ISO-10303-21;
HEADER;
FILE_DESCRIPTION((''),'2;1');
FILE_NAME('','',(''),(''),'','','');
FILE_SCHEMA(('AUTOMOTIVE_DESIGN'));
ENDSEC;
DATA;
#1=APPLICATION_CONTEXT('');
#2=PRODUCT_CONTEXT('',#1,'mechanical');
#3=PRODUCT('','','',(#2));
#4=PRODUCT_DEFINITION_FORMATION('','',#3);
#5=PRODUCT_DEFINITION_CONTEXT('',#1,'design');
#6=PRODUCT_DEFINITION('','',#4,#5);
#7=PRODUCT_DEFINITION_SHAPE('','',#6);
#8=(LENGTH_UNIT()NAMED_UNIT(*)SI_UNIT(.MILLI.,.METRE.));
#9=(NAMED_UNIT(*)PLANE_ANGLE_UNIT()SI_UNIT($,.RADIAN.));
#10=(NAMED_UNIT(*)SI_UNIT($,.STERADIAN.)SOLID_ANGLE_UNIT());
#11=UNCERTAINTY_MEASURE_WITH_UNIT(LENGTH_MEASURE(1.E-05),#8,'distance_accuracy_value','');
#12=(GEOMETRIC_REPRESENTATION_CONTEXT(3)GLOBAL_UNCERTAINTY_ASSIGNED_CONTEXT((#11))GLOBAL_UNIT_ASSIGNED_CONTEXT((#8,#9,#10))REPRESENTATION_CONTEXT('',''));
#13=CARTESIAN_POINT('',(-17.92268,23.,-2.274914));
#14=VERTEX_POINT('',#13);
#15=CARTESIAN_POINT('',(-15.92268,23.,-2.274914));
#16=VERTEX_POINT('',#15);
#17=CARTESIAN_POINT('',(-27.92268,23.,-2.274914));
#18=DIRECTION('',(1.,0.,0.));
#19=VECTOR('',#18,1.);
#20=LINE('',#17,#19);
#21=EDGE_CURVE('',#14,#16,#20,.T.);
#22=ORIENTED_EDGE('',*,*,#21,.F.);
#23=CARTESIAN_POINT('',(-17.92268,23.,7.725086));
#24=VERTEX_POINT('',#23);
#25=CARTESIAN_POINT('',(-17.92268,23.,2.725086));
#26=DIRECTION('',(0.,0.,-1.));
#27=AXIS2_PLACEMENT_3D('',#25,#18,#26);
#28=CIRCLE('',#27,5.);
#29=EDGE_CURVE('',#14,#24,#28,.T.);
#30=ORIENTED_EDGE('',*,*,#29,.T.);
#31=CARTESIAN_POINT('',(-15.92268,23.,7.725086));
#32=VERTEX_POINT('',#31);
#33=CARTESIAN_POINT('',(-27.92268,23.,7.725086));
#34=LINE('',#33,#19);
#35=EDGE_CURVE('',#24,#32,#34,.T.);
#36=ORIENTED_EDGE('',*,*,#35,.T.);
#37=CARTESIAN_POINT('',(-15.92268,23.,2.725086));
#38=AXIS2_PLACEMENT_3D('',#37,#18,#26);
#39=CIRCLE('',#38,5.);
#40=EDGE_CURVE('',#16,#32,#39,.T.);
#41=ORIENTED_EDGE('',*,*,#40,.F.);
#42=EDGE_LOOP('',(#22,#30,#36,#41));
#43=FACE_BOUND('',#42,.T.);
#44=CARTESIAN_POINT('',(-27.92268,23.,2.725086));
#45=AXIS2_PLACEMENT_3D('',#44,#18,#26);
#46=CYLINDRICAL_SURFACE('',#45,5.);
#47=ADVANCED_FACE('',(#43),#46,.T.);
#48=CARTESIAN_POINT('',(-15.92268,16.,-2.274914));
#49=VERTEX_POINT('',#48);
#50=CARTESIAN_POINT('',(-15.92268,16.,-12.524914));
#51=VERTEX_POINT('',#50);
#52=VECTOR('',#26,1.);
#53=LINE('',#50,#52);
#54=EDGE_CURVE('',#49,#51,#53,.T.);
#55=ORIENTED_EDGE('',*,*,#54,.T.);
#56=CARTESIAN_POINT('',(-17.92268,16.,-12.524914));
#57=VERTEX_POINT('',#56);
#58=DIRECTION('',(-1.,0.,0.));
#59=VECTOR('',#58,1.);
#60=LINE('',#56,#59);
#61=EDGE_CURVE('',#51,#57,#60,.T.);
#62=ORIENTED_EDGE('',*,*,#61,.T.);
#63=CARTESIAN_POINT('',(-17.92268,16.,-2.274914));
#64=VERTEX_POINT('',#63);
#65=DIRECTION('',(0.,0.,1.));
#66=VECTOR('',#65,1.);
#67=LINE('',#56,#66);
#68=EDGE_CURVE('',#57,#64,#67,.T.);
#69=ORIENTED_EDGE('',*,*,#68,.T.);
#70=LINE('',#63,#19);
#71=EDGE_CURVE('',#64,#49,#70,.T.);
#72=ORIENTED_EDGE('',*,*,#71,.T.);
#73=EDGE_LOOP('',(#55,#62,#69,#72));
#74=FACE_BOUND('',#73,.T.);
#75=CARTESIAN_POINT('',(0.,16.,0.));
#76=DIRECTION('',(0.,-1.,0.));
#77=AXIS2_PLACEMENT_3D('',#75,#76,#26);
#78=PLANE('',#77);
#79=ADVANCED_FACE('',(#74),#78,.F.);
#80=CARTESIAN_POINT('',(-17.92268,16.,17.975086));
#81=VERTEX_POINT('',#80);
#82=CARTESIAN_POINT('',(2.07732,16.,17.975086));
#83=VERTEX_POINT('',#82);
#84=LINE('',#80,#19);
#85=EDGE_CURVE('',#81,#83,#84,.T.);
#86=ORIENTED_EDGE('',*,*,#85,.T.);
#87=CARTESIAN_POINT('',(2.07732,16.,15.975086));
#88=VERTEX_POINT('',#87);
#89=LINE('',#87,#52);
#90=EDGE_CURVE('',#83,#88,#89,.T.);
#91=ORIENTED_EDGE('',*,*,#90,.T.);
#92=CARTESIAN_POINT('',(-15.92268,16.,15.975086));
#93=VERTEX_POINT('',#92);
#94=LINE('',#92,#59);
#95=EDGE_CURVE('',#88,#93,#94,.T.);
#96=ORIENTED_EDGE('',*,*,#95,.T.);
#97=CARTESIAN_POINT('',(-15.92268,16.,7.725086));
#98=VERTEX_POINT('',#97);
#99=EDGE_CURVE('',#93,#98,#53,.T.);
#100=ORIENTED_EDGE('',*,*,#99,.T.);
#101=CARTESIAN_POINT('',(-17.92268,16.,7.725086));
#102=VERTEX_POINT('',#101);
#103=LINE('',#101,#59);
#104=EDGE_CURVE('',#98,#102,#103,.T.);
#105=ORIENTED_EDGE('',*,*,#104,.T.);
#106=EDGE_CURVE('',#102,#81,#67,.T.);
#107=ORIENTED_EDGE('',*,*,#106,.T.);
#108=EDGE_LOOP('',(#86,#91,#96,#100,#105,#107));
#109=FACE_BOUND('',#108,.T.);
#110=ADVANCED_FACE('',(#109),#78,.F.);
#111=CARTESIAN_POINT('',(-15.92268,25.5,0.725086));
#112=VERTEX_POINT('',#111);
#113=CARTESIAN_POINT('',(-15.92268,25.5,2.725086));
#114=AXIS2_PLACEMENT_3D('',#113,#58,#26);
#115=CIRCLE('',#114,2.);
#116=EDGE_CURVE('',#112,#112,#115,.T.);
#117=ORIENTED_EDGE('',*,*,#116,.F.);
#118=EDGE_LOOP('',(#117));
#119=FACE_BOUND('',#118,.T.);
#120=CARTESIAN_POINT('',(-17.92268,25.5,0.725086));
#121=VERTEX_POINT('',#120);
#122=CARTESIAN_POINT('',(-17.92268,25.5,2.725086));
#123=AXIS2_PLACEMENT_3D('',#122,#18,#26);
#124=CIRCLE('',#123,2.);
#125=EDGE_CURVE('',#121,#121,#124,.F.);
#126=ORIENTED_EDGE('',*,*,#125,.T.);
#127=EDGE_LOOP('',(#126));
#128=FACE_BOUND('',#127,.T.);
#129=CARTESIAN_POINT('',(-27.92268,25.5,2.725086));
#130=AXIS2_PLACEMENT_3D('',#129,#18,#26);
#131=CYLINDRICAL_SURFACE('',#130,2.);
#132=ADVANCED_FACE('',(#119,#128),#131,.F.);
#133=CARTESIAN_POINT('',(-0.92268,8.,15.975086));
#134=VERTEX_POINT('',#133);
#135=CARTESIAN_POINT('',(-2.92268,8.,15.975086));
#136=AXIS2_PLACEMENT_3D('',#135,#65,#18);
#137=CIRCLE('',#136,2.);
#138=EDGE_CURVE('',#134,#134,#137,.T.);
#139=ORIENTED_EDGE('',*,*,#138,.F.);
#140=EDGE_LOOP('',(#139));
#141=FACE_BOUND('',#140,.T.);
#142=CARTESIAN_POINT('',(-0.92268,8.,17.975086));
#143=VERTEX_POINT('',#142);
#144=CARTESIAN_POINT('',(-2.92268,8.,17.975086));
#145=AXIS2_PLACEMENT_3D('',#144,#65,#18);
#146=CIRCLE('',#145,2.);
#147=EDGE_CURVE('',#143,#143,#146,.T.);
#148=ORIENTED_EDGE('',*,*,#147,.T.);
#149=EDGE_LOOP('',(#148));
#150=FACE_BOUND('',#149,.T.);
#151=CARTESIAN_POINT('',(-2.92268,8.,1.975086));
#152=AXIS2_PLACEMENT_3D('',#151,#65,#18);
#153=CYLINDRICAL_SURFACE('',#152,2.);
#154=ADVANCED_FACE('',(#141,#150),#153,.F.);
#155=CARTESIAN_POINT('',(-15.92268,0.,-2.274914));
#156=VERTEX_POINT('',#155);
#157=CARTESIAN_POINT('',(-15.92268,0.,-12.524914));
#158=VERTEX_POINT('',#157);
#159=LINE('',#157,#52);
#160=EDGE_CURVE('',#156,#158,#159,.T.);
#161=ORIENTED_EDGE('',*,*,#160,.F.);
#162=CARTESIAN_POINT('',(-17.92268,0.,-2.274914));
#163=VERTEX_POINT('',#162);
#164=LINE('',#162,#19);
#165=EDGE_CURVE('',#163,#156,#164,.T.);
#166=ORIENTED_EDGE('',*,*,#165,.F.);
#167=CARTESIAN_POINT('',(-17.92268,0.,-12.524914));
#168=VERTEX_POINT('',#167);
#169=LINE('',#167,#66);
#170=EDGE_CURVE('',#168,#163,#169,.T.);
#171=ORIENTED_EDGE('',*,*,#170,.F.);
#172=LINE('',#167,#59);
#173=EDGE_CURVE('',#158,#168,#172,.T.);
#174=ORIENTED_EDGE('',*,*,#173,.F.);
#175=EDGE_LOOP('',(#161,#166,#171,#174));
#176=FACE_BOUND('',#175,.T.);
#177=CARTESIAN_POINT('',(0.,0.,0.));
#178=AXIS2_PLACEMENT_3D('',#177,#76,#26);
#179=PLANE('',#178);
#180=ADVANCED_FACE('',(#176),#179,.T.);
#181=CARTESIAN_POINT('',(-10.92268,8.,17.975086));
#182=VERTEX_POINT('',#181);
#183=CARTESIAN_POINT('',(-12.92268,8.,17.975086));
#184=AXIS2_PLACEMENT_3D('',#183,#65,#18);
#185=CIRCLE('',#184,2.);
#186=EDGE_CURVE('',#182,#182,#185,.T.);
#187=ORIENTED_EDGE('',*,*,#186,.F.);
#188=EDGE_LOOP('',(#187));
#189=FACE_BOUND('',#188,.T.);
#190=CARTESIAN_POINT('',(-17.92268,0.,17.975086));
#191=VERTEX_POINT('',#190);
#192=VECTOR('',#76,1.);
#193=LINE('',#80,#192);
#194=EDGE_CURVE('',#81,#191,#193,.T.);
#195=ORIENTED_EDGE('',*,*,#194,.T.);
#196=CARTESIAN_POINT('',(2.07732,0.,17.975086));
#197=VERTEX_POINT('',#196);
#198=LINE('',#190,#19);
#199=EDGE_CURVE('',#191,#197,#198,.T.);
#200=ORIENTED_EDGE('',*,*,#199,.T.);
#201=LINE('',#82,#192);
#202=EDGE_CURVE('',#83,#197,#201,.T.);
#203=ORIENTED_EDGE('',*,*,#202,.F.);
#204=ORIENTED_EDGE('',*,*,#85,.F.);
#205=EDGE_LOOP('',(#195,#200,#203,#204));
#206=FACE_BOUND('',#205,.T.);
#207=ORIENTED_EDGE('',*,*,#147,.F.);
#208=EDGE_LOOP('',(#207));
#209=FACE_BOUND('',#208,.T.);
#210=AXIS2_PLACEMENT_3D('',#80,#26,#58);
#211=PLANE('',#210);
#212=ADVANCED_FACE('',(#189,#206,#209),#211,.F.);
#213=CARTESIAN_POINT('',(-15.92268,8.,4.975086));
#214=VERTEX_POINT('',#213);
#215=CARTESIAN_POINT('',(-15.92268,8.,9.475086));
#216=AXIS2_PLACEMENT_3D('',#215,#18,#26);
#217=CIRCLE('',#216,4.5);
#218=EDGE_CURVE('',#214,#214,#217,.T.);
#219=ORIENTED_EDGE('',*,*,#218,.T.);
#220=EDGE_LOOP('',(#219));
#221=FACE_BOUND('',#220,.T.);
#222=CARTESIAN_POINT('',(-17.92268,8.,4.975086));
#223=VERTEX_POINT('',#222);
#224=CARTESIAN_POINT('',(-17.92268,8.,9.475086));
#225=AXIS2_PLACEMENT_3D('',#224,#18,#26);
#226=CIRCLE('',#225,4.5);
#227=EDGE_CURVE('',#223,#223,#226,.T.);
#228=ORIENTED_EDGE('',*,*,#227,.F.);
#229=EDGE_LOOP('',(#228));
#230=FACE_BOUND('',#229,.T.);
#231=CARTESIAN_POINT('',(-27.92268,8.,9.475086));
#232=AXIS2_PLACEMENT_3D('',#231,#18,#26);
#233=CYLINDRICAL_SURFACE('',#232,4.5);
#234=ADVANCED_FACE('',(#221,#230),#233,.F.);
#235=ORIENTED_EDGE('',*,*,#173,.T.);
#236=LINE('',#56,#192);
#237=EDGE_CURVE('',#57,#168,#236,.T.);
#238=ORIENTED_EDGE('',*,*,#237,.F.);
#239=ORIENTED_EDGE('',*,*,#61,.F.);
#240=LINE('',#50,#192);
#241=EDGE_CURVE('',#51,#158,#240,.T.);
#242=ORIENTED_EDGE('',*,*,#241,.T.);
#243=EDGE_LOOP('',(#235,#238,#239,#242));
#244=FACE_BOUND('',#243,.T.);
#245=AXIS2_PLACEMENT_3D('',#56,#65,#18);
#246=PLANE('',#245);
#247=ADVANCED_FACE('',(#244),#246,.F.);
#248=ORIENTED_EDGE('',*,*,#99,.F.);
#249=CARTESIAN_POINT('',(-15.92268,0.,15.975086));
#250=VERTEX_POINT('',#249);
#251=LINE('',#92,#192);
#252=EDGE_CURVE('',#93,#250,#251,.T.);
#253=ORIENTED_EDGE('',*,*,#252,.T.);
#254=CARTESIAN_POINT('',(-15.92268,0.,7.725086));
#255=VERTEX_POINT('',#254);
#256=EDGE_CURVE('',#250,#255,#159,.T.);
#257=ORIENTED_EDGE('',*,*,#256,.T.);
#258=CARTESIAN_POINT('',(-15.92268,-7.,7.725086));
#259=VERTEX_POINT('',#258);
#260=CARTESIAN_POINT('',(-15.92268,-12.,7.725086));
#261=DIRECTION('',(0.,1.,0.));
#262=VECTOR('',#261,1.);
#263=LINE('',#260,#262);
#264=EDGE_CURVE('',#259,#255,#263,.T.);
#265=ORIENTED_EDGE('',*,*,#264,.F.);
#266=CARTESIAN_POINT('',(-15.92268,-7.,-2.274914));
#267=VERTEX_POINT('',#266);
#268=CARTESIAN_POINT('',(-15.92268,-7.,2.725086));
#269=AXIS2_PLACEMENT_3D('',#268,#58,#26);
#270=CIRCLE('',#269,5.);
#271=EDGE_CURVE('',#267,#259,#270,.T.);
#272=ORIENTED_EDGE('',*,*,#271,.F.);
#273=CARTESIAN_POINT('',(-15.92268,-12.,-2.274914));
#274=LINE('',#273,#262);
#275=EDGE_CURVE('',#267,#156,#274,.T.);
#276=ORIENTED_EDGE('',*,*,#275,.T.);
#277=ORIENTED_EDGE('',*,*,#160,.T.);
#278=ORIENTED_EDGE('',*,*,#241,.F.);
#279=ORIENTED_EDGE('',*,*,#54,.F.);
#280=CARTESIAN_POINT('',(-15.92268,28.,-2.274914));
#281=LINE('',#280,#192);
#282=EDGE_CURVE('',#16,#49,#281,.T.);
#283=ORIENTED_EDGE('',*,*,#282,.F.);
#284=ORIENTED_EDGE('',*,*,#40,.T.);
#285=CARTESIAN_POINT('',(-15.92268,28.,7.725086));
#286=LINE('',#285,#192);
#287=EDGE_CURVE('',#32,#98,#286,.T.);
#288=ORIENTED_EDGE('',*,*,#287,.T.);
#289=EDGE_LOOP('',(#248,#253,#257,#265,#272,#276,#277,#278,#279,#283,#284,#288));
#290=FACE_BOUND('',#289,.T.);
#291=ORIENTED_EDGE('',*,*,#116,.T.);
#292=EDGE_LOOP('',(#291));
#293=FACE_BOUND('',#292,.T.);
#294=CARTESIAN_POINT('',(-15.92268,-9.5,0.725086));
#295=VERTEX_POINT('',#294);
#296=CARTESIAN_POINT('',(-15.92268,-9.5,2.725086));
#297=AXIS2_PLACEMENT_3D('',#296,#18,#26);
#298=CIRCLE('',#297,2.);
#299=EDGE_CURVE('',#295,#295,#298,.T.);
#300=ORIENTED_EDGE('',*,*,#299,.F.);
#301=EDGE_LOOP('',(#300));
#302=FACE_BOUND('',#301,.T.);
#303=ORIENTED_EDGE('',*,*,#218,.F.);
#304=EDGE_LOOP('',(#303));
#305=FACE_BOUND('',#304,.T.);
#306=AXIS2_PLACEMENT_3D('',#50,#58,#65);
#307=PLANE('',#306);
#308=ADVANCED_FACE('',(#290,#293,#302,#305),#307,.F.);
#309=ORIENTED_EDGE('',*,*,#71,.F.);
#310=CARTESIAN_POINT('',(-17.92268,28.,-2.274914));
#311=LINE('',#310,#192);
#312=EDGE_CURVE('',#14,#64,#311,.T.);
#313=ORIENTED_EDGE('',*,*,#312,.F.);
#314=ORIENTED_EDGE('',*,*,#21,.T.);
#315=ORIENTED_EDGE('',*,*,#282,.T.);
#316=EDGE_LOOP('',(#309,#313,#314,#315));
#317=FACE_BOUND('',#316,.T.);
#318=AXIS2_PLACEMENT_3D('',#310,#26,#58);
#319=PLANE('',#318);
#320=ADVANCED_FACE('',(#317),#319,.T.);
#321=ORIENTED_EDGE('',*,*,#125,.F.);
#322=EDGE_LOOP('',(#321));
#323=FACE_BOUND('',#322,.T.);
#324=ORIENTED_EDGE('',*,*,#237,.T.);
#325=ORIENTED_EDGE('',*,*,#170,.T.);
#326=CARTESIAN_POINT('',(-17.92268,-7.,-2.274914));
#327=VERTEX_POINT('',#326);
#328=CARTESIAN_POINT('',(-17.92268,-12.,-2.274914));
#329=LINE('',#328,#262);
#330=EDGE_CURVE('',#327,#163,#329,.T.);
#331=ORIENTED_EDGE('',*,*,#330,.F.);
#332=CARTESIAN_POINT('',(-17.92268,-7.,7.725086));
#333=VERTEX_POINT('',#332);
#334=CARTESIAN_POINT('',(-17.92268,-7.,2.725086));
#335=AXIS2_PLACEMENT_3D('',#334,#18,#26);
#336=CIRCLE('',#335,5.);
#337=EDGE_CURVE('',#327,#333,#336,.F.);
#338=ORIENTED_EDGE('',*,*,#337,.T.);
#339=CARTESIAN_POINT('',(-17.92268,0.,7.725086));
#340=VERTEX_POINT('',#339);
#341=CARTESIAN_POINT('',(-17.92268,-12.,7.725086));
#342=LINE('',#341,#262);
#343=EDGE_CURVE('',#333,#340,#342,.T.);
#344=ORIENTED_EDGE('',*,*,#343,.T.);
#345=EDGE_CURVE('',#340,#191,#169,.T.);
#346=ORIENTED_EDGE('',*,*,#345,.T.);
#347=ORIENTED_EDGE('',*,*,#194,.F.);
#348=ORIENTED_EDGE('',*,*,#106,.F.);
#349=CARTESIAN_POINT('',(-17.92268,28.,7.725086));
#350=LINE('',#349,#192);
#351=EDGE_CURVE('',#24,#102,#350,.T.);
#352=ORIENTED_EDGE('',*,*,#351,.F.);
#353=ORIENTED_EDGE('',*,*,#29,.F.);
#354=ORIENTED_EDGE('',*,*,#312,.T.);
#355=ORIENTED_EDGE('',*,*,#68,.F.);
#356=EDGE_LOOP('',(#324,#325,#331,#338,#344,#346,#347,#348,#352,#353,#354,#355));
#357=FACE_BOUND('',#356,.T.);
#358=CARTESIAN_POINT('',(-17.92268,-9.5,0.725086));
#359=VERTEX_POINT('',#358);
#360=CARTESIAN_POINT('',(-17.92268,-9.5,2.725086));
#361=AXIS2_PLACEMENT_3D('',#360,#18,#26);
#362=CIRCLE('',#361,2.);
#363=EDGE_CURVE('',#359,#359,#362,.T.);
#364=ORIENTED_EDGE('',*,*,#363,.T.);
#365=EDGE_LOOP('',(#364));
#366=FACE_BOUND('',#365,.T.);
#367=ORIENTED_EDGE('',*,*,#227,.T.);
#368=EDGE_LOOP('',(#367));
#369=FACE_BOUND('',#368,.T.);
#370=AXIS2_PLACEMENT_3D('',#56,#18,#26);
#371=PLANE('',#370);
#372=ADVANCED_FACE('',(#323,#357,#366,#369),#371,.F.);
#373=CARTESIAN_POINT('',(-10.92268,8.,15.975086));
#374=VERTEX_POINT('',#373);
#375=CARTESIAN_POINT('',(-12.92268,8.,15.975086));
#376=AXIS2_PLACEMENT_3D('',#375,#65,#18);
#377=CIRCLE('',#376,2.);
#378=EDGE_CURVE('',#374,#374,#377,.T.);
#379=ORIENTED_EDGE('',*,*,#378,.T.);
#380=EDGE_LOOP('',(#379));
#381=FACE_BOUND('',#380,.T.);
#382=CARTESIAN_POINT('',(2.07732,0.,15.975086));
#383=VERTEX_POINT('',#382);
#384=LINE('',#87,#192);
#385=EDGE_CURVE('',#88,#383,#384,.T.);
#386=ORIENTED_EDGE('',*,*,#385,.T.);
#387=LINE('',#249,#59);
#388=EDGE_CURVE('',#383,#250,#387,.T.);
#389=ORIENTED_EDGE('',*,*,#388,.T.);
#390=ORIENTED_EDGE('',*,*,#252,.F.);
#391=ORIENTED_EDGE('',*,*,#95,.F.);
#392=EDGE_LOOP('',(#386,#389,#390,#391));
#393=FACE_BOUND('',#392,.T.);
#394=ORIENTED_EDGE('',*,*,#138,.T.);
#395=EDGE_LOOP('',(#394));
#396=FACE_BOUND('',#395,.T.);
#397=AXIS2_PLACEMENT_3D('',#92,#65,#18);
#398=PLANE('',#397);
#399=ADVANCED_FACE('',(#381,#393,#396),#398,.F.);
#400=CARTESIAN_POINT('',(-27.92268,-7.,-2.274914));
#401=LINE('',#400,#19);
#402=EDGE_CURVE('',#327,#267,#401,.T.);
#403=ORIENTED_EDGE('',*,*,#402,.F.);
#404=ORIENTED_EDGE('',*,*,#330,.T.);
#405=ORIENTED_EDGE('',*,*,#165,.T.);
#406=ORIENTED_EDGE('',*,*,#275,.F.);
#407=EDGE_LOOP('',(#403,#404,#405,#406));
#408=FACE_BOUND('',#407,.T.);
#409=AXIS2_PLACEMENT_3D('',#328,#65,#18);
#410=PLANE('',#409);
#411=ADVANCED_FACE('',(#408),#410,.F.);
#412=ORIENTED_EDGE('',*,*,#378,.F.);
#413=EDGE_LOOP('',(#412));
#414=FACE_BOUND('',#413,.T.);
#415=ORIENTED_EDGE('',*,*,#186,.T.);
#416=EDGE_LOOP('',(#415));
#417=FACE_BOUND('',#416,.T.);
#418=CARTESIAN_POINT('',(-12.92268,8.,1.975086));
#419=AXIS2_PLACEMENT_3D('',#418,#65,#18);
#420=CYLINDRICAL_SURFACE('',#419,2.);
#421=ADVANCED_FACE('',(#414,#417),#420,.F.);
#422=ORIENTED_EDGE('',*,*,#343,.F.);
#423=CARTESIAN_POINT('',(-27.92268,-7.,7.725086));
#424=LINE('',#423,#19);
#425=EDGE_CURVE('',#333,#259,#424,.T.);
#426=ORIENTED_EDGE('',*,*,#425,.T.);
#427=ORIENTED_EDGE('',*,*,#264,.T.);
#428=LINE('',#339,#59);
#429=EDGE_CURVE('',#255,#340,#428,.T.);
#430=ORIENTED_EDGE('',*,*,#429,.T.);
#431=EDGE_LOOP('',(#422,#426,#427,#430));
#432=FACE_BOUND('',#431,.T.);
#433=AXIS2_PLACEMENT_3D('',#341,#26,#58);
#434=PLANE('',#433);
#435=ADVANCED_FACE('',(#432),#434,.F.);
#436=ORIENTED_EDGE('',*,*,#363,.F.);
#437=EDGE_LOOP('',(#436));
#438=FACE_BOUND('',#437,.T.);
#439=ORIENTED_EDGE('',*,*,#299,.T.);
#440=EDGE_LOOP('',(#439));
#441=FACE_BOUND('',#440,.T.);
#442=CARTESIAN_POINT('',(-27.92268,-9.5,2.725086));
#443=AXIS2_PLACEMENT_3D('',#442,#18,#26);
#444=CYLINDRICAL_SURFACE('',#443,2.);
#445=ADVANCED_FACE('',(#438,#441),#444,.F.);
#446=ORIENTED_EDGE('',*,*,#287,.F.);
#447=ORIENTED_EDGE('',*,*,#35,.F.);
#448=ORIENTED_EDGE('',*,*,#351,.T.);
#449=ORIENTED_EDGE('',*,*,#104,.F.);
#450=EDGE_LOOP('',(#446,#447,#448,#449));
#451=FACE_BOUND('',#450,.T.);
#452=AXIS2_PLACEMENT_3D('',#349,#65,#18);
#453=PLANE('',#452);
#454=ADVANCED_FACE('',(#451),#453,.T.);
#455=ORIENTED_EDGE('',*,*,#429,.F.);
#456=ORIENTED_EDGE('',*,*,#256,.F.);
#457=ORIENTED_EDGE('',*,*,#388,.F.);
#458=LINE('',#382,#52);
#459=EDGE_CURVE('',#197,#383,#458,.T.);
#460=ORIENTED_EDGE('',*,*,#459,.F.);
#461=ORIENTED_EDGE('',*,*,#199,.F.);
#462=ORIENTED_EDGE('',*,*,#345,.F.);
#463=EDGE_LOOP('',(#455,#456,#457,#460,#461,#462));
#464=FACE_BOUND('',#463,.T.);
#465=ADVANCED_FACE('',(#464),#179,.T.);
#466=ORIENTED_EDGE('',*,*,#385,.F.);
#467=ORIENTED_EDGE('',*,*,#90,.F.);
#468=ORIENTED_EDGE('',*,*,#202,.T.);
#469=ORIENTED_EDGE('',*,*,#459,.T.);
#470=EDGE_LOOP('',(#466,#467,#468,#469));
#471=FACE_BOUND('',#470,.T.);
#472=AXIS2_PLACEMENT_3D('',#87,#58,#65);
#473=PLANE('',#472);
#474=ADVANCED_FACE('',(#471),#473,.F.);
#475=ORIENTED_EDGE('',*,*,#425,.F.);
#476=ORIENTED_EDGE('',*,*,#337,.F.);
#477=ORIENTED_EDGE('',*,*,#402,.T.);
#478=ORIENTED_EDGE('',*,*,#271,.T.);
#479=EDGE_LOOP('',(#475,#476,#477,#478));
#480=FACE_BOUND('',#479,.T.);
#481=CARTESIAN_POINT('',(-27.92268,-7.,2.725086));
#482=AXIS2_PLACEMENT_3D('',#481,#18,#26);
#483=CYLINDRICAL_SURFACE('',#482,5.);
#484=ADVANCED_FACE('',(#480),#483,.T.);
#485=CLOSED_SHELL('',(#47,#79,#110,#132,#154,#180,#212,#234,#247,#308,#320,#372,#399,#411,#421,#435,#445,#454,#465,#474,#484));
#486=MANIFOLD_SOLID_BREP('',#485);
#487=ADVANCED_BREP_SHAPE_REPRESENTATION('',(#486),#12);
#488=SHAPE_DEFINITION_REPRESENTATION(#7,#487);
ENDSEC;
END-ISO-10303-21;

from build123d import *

# Parameters (mm, degrees)
BOSS_EXTRUDE1_DEPTH = 16
SKETCH4_R           = 2
CUT_EXTRUDE1_DEPTH  = 16
SKETCH6_W           = 2
SKETCH6_H           = 10
BOSS_EXTRUDE2_DEPTH = 12
CUT_EXTRUDE2_DEPTH  = 12
SKETCH8_R           = 2
CUT_EXTRUDE3_DEPTH  = 12
SKETCH9_R           = 4.5
CUT_EXTRUDE4_DEPTH  = 12


with BuildPart() as part:
    # Sketch1 → Boss-Extrude1 (new body)
    with BuildSketch(Plane(origin=(0, 0, 0), x_dir=(1, 0, 0), z_dir=(0, 1, 0))):
        Polygon((-17.922680412, 12.524914089), (-17.922680412, -17.975085911), (2.077319588, -17.975085911), (2.077319588, -15.975085911), (-15.922680412, -15.975085911), (-15.922680412, 12.524914089), align=None)
    extrude(amount=BOSS_EXTRUDE1_DEPTH)

    # Sketch4 → Cut-Extrude1 (cut)
    with BuildSketch(Plane.XY.offset(17.975085911)):
        with Locations((-12.922680412, 8)):
            Circle(SKETCH4_R)
        with Locations((-2.922680412, 8)):
            Circle(SKETCH4_R)
    extrude(amount=-CUT_EXTRUDE1_DEPTH, mode=Mode.SUBTRACT)

    # Sketch6 → Boss-Extrude2 (add)
    with BuildSketch(Plane.XZ):
        with Locations((-16.922680412, 2.725085911)):
            Rectangle(SKETCH6_W, SKETCH6_H)
    boss_extrude2 = extrude(amount=BOSS_EXTRUDE2_DEPTH)

    # Sketch7 → Cut-Extrude2 (cut)
    with BuildSketch(Plane(origin=(-15.922680412, 0, 0), x_dir=(0, 0, -1), z_dir=(1, 0, 0))):
        with BuildLine():
            Line((-11.171347401, -12.363043628), (4.929338565, -12.363043628))
            Line((4.929338565, -12.363043628), (4.929338565, -7))
            Line((4.929338565, -7), (2.274914089, -7))
            ThreePointArc((2.274914089, -7), (-2.725085911, -12), (-7.725085911, -7))
            Line((-7.725085911, -7), (-11.171347401, -7))
            Line((-11.171347401, -7), (-11.171347401, -12.363043628))
        make_face()
    cut_extrude2 = extrude(amount=-CUT_EXTRUDE2_DEPTH, mode=Mode.SUBTRACT)

    # Sketch8 → Cut-Extrude3 (cut)
    with BuildSketch(Plane(origin=(-15.922680412, 0, 0), x_dir=(0, 0, -1), z_dir=(1, 0, 0))):
        with Locations((-2.725085911, -9.5)):
            Circle(SKETCH8_R)
    cut_extrude3 = extrude(amount=-CUT_EXTRUDE3_DEPTH, mode=Mode.SUBTRACT)

    # Mirror1: Boss-Extrude2, Cut-Extrude2, Cut-Extrude3 across plane
    add(boss_extrude2.mirror(Plane(origin=(0, 8, 0), x_dir=(0, 0, 1), z_dir=(0, -1, 0))))
    add(cut_extrude2.mirror(Plane(origin=(0, 8, 0), x_dir=(0, 0, 1), z_dir=(0, -1, 0))), mode=Mode.SUBTRACT)
    add(cut_extrude3.mirror(Plane(origin=(0, 8, 0), x_dir=(0, 0, 1), z_dir=(0, -1, 0))), mode=Mode.SUBTRACT)

    # Sketch9 → Cut-Extrude4 (cut)
    with BuildSketch(Plane(origin=(-15.922680412, 0, 0), x_dir=(0, 0, -1), z_dir=(1, 0, 0))):
        with Locations((-9.475085911, 8)):
            Circle(SKETCH9_R)
    extrude(amount=-CUT_EXTRUDE4_DEPTH, mode=Mode.SUBTRACT)


solid = part.part
